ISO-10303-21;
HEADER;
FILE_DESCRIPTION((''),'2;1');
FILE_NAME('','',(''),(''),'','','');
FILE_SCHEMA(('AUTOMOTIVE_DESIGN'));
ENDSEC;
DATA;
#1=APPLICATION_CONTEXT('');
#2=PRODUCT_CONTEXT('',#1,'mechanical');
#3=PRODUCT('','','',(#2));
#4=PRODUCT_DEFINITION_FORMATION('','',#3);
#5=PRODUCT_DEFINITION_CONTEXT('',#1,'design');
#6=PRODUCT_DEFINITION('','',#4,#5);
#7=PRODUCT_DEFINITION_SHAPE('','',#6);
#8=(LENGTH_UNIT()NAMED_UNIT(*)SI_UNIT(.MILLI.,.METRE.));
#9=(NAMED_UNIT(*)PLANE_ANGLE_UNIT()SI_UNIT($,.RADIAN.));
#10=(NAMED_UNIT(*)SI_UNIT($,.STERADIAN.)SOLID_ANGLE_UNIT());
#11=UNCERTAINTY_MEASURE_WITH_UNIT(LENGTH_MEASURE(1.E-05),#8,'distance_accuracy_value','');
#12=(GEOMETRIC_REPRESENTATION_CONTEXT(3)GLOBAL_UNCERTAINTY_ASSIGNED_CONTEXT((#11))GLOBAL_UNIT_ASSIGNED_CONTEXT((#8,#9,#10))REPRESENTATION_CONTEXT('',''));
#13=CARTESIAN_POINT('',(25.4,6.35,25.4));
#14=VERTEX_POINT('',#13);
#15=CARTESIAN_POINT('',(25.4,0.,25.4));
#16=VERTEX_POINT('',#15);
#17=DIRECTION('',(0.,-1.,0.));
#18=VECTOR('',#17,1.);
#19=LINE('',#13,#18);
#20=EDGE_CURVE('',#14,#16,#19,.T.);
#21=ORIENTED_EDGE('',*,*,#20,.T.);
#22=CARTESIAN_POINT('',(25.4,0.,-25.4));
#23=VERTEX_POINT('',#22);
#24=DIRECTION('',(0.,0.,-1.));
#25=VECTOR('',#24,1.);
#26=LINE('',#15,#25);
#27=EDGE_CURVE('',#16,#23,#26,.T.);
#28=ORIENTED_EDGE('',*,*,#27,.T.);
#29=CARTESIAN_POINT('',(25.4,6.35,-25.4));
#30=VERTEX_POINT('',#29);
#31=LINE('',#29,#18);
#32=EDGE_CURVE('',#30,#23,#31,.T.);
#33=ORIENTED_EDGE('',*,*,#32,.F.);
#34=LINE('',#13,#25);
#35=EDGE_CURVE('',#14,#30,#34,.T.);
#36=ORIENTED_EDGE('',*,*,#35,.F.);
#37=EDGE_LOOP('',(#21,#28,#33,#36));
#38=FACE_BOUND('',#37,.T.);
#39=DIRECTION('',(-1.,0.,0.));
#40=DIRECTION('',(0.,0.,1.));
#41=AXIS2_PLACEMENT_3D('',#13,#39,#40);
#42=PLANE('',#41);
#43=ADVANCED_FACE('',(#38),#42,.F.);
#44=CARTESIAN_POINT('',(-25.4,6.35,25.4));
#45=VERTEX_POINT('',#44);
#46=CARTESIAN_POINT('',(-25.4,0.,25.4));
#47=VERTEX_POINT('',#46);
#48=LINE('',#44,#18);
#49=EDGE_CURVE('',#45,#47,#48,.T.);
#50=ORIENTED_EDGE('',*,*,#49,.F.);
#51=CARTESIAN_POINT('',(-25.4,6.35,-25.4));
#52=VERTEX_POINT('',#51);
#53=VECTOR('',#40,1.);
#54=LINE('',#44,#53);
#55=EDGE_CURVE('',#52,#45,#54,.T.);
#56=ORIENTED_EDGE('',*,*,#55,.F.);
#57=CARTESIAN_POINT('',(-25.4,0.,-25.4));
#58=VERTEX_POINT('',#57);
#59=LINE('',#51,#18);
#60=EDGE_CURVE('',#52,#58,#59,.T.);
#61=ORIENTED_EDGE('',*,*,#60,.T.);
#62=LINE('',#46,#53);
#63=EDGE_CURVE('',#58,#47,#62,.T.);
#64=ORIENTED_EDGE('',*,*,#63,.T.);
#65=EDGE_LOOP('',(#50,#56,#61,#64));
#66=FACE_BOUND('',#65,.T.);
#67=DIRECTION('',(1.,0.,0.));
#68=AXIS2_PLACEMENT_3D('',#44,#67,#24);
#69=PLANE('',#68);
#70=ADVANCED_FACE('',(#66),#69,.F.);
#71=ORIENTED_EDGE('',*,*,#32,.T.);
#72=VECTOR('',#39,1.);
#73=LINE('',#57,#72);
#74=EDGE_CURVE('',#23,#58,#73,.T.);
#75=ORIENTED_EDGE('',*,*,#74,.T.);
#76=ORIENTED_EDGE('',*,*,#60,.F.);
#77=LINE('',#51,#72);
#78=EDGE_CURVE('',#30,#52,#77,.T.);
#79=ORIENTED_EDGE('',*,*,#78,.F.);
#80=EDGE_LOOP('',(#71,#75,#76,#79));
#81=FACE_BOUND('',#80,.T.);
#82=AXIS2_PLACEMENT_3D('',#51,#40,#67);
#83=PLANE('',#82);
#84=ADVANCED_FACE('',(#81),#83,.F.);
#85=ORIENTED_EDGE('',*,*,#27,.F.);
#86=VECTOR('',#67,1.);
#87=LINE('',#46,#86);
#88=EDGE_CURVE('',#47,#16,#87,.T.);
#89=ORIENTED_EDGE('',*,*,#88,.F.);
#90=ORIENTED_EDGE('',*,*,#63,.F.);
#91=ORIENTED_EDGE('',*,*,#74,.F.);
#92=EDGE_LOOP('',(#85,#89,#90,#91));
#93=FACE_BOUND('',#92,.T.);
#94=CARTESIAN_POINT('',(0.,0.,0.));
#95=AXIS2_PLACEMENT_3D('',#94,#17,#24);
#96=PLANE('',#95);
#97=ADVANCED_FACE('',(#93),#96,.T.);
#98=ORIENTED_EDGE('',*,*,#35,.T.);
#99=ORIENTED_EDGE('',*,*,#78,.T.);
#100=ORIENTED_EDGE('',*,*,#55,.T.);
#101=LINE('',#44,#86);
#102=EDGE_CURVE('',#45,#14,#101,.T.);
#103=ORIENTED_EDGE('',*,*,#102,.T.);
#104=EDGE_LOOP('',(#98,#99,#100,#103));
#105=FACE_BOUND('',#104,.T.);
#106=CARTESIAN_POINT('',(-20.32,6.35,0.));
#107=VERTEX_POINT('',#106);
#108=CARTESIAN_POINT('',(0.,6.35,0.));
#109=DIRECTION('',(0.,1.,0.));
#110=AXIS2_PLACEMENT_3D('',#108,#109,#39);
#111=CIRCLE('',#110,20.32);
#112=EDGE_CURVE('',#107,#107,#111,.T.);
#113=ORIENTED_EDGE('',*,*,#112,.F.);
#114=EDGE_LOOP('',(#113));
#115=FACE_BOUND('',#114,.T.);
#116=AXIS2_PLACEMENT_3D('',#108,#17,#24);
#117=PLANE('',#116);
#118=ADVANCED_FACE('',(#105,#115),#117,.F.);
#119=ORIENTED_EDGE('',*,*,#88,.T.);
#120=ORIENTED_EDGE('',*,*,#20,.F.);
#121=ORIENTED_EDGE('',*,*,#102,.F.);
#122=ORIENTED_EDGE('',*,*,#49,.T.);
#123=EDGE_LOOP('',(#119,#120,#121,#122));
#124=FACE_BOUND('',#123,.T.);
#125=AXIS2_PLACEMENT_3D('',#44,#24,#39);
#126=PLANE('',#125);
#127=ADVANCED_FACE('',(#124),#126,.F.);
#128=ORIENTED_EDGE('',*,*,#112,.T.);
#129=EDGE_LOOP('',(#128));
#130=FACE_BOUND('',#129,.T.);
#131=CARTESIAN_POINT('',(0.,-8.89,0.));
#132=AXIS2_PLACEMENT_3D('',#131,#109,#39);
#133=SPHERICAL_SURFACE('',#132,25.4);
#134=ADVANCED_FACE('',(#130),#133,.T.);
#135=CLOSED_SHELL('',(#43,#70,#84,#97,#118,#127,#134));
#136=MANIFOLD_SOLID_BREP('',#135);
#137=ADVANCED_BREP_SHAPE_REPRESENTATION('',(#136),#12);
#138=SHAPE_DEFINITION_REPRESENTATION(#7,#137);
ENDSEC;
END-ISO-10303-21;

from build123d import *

# Parameters (mm, degrees)
SKETCH1_W           = 50.8
SKETCH1_H           = 50.8
BOSS_EXTRUDE1_DEPTH = 6.35


with BuildPart() as part:
    # Sketch1 → Boss-Extrude1 (new body)
    with BuildSketch(Plane(origin=(0, 0, 0), x_dir=(1, 0, 0), z_dir=(0, 1, 0))):
        Rectangle(SKETCH1_W, SKETCH1_H)
    extrude(amount=BOSS_EXTRUDE1_DEPTH)

    # Sketch2 → Revolve1 (revolve)
    with BuildSketch(Plane.XY):
        with BuildLine():
            Line((0, 6.35), (-20.32, 6.35))
            ThreePointArc((-20.32, 6.35), (-11.359225326, 13.828450651), (0, 16.51))
            Line((0, 16.51), (0, 6.35))
        make_face()
    revolve(axis=Axis((0, 16.51, 0), (0, -1, 0)))


solid = part.part
